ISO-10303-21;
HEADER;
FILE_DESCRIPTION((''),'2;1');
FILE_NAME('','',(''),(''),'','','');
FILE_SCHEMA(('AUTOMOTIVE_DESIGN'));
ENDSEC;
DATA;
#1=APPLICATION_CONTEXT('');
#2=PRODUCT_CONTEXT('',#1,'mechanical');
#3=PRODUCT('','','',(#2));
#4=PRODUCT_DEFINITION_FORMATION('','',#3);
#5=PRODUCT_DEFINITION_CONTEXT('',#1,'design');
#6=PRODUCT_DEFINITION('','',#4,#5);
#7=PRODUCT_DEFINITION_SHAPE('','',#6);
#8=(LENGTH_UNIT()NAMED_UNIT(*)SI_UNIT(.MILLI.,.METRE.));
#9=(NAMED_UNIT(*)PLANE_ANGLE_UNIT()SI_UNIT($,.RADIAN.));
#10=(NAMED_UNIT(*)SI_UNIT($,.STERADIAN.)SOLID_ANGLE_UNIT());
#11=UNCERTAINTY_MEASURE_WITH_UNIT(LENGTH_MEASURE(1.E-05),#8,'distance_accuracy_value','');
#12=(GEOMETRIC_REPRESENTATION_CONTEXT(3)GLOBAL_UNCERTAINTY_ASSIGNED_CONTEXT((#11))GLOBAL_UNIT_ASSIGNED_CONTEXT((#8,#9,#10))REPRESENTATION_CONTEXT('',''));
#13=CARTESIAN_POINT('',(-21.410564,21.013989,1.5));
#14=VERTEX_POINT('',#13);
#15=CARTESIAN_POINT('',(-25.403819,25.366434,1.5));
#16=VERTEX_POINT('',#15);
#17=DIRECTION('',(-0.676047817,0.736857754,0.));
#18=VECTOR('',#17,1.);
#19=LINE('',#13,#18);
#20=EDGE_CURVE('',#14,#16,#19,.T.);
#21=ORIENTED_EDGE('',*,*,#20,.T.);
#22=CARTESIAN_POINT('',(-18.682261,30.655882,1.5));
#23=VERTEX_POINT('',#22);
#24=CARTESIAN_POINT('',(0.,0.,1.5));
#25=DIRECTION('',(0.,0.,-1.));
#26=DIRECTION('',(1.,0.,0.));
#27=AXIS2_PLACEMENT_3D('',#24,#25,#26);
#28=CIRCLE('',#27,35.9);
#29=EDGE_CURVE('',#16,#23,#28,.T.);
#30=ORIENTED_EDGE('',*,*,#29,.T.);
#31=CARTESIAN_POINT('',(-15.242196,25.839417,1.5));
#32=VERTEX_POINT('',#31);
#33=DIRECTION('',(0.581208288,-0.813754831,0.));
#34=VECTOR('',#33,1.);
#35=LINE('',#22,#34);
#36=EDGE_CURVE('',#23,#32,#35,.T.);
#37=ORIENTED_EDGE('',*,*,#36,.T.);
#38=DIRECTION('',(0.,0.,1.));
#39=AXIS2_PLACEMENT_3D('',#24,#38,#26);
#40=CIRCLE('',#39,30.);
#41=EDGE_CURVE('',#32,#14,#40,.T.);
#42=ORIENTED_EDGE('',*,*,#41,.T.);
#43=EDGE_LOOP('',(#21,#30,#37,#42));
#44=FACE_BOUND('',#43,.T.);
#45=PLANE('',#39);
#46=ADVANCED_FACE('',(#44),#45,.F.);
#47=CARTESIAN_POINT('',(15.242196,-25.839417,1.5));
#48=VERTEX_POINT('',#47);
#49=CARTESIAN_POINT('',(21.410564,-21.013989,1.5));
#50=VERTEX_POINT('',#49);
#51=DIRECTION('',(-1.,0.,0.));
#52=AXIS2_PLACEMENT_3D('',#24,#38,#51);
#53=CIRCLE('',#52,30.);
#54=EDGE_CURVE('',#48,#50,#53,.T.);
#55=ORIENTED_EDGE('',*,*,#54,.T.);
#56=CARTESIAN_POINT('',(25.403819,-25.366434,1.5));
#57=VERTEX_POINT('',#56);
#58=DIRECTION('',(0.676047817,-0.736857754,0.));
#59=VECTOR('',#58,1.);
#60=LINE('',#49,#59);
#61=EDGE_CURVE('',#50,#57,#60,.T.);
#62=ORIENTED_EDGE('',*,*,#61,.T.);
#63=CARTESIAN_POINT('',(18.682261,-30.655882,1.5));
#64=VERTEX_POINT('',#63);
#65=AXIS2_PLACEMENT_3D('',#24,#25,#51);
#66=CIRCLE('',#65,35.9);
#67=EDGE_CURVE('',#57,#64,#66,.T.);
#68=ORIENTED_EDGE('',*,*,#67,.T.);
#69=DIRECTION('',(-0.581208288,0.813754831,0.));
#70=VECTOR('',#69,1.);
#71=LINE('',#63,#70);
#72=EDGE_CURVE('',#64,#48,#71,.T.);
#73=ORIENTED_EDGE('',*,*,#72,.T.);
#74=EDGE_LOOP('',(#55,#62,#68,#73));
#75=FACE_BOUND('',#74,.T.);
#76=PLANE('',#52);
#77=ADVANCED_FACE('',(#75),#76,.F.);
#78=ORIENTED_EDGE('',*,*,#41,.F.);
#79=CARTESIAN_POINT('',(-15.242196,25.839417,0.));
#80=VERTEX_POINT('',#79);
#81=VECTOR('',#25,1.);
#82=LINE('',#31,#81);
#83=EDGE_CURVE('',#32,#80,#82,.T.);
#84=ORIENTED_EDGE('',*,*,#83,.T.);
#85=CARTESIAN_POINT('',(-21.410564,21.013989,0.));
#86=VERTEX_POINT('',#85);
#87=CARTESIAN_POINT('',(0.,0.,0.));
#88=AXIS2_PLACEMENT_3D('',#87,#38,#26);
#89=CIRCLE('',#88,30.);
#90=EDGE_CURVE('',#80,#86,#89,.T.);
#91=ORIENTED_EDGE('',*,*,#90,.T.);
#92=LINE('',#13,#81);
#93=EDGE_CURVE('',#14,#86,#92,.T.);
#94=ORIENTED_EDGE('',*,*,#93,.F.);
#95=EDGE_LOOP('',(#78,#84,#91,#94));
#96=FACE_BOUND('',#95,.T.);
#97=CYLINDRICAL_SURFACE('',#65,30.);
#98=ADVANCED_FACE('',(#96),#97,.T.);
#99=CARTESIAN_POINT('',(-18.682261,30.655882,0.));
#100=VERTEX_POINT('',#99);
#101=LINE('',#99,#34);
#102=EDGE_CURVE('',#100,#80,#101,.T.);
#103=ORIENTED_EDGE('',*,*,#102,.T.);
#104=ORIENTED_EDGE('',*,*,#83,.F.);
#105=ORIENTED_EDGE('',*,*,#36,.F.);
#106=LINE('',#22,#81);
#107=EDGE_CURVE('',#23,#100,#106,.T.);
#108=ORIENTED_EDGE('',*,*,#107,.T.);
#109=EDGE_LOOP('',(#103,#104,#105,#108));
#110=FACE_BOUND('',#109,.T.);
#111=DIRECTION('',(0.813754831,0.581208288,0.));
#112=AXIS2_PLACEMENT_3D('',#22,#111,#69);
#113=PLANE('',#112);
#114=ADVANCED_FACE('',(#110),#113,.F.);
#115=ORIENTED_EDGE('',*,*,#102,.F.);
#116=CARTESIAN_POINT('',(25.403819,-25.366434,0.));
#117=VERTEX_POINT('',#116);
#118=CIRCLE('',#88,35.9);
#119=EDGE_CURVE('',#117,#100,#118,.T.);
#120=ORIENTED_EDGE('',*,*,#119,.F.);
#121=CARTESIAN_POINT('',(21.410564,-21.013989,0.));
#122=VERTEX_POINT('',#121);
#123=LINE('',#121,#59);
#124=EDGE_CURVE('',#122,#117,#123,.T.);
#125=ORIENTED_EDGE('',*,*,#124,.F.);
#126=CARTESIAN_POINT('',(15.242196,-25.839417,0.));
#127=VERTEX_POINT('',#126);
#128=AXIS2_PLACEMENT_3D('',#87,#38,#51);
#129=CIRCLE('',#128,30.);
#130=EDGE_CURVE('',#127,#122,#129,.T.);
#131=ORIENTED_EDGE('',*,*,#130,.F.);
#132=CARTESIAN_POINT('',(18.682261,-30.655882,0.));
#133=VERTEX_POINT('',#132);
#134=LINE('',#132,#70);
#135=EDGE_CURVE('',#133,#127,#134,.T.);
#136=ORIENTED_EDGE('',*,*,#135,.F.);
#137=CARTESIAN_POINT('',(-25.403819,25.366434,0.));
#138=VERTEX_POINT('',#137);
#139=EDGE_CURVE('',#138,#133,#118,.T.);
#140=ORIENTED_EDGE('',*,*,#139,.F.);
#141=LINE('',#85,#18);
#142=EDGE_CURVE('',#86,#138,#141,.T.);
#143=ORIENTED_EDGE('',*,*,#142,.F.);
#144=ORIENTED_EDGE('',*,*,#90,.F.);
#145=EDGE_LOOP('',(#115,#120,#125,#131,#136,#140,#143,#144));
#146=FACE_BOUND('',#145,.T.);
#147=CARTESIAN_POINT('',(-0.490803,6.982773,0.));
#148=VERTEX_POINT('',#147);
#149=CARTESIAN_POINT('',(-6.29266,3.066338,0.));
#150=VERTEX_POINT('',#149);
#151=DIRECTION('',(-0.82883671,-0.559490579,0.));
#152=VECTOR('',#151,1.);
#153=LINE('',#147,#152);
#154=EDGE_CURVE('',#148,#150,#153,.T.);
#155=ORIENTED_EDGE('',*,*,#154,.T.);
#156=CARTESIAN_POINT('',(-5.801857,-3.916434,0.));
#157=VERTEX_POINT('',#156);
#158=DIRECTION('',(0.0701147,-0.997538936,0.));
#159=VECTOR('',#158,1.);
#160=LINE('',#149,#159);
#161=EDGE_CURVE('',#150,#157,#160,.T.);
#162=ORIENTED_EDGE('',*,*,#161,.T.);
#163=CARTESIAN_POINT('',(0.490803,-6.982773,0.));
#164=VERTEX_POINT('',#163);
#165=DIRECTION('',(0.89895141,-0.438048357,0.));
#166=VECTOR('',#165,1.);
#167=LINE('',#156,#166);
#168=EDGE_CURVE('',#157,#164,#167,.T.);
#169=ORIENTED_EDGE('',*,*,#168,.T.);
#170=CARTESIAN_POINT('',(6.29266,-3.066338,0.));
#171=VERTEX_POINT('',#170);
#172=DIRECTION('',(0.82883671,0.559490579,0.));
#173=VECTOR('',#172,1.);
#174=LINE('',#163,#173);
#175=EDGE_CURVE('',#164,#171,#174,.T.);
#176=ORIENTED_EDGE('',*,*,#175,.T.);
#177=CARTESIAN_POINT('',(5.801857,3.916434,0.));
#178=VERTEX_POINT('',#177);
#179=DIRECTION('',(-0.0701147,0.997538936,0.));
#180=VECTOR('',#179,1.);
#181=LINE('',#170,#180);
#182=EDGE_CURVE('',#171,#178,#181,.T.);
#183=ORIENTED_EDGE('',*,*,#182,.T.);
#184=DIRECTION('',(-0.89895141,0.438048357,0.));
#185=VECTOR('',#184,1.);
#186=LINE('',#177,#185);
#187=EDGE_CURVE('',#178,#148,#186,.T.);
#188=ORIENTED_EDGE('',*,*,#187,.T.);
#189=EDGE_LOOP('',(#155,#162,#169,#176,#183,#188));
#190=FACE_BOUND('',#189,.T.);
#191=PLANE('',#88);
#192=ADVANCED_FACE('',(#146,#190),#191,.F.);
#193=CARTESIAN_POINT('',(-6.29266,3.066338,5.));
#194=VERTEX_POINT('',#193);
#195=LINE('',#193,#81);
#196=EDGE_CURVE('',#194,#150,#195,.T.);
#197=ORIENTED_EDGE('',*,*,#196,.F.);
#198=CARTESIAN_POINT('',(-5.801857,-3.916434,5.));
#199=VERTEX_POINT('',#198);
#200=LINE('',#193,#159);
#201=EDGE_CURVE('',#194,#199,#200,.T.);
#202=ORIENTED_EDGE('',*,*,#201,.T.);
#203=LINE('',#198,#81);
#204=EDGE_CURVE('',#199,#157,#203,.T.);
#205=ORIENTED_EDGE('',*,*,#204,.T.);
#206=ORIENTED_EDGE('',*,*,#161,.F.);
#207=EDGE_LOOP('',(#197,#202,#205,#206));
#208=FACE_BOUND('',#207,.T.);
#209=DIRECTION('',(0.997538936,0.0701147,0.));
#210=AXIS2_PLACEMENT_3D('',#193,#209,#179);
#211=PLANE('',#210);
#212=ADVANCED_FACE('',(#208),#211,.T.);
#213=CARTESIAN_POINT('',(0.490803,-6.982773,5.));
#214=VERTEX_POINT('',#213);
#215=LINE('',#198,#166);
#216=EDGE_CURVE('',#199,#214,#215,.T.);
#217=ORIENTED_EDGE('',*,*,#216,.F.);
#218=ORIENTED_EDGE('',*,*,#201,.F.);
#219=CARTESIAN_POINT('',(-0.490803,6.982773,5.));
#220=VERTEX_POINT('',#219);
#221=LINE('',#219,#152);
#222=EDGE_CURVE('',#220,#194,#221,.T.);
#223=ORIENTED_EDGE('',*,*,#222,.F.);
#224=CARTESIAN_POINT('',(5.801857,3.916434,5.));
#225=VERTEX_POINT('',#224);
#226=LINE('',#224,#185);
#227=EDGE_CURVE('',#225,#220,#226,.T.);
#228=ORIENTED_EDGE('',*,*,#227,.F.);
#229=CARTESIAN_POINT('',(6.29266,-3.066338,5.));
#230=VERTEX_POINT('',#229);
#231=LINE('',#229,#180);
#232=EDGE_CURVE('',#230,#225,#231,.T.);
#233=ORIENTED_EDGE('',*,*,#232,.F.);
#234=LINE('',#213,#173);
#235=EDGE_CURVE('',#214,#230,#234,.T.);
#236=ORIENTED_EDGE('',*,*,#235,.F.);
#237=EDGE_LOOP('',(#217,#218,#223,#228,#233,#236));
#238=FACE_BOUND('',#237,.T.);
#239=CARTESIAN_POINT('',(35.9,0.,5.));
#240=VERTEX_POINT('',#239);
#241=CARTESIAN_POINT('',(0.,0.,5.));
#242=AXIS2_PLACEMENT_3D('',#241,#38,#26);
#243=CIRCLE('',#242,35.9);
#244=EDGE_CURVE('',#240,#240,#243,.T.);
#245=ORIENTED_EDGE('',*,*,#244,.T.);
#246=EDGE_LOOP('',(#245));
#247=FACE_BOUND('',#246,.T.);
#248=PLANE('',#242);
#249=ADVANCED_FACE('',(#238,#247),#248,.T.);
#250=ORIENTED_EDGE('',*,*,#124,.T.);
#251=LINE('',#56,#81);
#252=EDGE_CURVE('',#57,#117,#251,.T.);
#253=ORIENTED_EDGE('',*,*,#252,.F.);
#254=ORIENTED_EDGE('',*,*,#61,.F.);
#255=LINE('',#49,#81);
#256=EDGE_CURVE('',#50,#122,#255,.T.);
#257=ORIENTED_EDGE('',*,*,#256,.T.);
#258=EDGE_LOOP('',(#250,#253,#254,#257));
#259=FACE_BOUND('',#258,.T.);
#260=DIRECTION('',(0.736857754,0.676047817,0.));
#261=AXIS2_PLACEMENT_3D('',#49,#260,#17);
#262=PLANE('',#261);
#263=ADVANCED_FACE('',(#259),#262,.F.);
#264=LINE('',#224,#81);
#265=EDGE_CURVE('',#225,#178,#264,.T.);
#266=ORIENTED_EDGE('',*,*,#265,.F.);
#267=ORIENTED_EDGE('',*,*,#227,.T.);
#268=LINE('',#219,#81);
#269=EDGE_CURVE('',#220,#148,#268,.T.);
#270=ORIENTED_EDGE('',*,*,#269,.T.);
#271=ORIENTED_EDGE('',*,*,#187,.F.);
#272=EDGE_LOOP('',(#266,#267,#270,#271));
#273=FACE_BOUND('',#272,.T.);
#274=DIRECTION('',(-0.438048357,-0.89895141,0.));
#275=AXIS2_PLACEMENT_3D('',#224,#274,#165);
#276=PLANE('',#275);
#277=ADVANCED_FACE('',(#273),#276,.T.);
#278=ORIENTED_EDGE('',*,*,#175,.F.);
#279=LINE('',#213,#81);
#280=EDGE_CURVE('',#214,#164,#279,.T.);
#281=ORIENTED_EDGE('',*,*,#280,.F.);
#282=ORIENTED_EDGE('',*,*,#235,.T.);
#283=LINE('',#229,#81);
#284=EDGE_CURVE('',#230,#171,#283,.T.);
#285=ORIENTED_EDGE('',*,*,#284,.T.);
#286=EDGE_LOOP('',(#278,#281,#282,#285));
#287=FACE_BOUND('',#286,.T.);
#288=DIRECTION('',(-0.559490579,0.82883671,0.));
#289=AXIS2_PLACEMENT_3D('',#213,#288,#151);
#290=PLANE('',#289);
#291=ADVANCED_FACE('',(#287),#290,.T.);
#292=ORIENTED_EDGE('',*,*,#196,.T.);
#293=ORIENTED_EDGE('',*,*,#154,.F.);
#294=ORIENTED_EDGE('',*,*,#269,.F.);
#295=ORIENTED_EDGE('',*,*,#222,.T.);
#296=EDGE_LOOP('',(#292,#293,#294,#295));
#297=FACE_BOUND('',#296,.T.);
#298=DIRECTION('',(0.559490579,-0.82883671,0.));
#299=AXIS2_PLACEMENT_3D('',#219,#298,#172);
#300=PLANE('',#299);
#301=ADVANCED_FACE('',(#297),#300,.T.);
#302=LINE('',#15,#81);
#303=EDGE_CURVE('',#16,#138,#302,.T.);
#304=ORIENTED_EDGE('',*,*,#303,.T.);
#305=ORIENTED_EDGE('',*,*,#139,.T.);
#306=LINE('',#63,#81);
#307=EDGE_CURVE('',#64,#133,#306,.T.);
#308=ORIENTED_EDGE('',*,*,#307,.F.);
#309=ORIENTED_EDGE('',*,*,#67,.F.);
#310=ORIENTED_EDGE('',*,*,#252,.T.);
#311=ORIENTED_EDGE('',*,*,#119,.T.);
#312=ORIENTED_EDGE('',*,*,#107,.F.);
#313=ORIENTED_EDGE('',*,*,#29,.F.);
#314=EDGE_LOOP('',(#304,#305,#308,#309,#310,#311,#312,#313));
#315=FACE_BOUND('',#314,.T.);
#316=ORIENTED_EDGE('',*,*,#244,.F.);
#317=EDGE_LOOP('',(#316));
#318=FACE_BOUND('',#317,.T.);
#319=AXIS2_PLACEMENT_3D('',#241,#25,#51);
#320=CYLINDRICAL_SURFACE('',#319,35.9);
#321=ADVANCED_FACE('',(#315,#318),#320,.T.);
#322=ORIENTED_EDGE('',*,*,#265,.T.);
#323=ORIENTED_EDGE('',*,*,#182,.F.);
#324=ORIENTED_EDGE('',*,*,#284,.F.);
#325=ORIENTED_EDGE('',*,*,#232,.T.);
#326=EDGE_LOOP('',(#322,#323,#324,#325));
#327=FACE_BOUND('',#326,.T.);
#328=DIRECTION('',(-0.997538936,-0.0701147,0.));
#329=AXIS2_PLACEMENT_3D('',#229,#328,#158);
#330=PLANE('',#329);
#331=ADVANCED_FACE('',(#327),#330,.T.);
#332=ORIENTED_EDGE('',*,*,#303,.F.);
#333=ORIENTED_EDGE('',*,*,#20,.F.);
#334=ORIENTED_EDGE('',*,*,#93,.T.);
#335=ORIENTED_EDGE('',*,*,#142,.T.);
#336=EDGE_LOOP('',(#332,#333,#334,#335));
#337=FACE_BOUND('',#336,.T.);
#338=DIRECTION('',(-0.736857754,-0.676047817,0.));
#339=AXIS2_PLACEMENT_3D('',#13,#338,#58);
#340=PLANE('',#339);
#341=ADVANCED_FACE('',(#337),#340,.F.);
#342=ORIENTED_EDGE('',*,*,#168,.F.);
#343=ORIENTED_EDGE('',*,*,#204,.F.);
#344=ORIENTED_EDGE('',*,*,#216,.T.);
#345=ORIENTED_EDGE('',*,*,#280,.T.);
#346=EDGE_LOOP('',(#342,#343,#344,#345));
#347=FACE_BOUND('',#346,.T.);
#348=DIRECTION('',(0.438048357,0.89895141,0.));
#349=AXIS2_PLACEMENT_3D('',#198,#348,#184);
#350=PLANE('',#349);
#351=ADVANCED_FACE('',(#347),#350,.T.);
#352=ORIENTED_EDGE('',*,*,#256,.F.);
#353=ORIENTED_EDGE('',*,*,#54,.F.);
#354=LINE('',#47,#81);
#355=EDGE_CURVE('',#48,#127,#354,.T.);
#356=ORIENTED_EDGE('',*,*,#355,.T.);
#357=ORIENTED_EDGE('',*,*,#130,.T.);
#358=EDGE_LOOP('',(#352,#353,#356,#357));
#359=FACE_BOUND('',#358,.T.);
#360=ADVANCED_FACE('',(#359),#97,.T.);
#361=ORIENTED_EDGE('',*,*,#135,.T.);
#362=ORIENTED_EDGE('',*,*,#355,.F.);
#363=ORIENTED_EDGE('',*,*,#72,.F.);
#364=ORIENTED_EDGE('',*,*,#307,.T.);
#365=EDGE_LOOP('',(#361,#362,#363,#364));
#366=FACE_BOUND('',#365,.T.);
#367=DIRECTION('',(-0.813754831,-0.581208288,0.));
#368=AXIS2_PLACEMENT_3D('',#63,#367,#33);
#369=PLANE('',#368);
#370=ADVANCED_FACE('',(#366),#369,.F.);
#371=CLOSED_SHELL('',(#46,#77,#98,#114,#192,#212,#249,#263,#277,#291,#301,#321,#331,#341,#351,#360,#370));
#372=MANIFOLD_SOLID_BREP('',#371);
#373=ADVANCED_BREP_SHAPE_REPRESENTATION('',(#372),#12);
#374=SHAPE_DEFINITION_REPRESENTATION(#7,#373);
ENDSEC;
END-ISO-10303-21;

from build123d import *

# Parameters (mm, degrees)
SKETCH_1_R               = 35.9
EXTRUDE_1_DEPTH          = 5
CUT_EXTRUDE_1_DEPTH      = 1.5
PATTERN_CIRCULAR_1_COUNT = 2


with BuildPart() as part:
    # 草图1 → 凸台-拉伸1 (new body)
    with BuildSketch(Plane.XY):
        Circle(SKETCH_1_R)
        Polygon((6.292659869, -3.066338496), (5.801856968, 3.916434056), (-0.490802901, 6.982772552), (-6.292659869, 3.066338496), (-5.801856968, -3.916434056), (0.490802901, -6.982772552), align=None, mode=Mode.SUBTRACT)
    extrude(amount=EXTRUDE_1_DEPTH)

    # 草图2 → 切除-拉伸1 (cut)
    with BuildSketch(Plane(origin=(0, 0, 0), x_dir=(-1, 0, 0), z_dir=(0, 0, -1))):
        with BuildLine():
            Line((18.682261423, 30.655882113), (15.242196262, 25.839416656))
            ThreePointArc((15.242196262, 25.839416656), (18.484517825, 23.628851025), (21.410564164, 21.013989202))
            Line((21.410564164, 21.013989202), (25.403819071, 25.366434054))
            ThreePointArc((25.403819071, 25.366434054), (22.201130343, 28.21205082), (18.682261423, 30.655882113))
        make_face()
    cut_extrude_1 = extrude(amount=-CUT_EXTRUDE_1_DEPTH, mode=Mode.SUBTRACT)

    # 阵列(圆周)1: 切除-拉伸1 ×2 about axis
    pattern_circular_1_axis = Axis((0, 0, 0), (0, 0, 1))
    for i in range(1, PATTERN_CIRCULAR_1_COUNT):
        add(cut_extrude_1.rotate(pattern_circular_1_axis, i * 360 / PATTERN_CIRCULAR_1_COUNT), mode=Mode.SUBTRACT)


solid = part.part
